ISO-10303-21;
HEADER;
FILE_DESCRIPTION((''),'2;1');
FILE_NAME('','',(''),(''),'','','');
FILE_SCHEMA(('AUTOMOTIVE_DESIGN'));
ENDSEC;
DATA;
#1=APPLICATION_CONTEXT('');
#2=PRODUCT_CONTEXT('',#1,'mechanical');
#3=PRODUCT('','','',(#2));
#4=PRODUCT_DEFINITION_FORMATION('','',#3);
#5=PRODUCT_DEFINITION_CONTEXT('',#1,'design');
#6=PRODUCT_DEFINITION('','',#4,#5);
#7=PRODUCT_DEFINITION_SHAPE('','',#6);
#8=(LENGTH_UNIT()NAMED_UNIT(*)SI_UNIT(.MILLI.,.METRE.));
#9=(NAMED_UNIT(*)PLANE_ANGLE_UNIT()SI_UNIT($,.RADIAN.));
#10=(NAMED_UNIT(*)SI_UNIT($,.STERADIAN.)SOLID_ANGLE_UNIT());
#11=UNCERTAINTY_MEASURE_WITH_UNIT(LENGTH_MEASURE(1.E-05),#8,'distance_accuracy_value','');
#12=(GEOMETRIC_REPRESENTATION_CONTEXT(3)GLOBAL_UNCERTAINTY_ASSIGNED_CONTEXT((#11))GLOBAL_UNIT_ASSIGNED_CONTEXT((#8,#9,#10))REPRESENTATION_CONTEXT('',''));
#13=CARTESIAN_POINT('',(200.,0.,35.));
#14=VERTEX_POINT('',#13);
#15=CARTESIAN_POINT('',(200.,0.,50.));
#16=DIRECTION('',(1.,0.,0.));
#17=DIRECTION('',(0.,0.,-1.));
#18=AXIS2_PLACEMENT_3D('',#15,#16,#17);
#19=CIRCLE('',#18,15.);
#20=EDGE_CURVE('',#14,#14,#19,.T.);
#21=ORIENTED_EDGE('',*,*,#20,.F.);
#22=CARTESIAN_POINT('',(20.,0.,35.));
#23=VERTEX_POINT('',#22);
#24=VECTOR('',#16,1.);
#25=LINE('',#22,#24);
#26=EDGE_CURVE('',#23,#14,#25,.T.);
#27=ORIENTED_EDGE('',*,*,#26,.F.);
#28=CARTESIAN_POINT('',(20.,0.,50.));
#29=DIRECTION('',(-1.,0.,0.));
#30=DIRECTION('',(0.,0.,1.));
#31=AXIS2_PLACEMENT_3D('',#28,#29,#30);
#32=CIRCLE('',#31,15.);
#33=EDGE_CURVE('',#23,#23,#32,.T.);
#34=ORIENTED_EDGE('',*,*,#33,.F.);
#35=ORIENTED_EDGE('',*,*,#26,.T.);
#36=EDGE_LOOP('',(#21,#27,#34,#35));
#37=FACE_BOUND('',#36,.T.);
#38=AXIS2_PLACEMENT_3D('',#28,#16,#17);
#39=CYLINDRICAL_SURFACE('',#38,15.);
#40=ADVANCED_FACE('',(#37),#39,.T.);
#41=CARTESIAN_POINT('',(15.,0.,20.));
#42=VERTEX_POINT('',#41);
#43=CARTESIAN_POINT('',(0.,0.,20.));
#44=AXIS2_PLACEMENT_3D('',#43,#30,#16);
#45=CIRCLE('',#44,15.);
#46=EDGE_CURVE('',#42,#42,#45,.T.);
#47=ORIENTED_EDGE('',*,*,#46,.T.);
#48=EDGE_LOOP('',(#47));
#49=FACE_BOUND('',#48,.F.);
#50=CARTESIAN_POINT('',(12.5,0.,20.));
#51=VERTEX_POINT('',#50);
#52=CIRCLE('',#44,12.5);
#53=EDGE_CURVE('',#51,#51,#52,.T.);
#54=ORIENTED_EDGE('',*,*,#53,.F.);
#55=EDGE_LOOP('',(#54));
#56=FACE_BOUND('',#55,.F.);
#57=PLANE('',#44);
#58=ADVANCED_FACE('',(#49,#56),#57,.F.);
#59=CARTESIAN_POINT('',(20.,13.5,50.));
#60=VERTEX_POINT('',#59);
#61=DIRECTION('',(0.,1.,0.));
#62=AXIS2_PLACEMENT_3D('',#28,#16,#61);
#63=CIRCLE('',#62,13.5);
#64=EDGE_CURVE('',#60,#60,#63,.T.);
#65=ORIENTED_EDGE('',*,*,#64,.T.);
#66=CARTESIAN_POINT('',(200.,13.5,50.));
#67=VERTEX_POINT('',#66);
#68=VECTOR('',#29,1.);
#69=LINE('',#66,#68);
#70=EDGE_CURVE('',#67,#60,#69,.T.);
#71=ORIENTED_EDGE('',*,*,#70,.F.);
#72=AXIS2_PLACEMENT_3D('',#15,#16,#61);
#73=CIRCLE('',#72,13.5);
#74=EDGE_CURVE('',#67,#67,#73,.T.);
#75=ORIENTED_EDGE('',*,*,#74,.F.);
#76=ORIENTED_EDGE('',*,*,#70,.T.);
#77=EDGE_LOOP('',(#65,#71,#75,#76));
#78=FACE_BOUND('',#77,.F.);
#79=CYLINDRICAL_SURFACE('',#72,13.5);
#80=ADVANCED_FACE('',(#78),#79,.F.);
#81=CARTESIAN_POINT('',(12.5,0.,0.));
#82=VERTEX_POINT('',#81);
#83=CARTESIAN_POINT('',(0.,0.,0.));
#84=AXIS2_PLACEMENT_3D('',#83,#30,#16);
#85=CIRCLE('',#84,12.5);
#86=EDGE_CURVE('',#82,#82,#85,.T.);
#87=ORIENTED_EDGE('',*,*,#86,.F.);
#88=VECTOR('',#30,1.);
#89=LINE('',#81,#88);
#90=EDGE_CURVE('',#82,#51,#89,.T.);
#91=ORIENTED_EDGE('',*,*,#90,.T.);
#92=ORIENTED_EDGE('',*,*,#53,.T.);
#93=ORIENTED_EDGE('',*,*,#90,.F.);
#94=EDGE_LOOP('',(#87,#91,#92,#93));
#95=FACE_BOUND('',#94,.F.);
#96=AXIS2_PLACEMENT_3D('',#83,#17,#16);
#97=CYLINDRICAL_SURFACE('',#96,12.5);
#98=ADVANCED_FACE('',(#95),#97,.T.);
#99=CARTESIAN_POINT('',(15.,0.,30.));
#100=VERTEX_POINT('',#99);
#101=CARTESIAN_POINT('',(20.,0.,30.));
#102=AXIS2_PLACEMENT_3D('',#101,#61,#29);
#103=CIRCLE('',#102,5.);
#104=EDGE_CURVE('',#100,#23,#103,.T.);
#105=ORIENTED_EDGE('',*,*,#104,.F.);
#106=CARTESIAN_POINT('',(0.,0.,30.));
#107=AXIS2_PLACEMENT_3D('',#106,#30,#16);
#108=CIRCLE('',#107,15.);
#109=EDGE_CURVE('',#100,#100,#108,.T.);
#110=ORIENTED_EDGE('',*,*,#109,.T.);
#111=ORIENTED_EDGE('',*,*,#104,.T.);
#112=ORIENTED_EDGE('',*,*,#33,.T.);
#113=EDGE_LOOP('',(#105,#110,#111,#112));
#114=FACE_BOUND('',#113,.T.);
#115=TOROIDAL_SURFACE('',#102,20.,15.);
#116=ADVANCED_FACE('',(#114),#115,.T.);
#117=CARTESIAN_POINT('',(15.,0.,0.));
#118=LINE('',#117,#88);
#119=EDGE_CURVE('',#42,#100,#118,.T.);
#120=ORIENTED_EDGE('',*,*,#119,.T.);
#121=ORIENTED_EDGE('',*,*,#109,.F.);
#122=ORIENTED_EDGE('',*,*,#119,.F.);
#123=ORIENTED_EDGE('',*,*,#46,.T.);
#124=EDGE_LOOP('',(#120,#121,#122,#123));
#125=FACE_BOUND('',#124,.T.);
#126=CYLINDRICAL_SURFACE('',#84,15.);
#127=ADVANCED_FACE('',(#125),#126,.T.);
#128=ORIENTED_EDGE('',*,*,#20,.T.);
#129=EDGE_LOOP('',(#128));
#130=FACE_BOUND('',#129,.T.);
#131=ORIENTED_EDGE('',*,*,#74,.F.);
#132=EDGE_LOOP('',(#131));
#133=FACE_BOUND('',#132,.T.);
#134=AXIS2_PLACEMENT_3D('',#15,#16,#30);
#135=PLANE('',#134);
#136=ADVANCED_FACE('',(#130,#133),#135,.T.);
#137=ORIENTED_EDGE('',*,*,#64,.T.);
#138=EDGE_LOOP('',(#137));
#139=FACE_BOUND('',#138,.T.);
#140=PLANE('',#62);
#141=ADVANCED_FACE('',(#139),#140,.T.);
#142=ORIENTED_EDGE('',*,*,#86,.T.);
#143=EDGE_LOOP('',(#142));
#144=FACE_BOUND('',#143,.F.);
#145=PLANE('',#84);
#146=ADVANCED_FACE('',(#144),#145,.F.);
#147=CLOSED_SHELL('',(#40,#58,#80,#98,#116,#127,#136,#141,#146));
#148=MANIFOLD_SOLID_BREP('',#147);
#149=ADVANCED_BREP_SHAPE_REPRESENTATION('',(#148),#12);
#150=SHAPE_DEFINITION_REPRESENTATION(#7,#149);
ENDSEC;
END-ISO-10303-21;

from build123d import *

# Parameters (mm, degrees)
F1_R     = 15
F3_R     = 15
F3_R_2   = 12.5
F4_DEPTH = 20
F5_R     = 13.5
F6_DEPTH = 180


with BuildPart() as f2:
    # F2: sweep along a path in F0
    with BuildLine(Plane.XZ) as f2_path:
        Line((0, 0), (0, 30))
        ThreePointArc((0, 30), (5.8578643763, 44.1421356237), (20, 50))
        Line((20, 50), (200, 50))
    # F1 (on Top) → F2 (sweep)
    with BuildSketch(Plane.XY):
        Circle(F1_R)
    sweep(path=f2_path.line)

    # F3 (on Top) → F4 (cut)
    with BuildSketch(Plane.XY):
        Circle(F3_R)
        Circle(F3_R_2, mode=Mode.SUBTRACT)
    extrude(amount=F4_DEPTH, mode=Mode.SUBTRACT)

    # F5 (on face) → F6 (cut)
    with BuildSketch(Plane.YZ.offset(200)):
        with Locations((0, 50)):
            Circle(F5_R)
    extrude(amount=-F6_DEPTH, mode=Mode.SUBTRACT)


solid = f2.part
